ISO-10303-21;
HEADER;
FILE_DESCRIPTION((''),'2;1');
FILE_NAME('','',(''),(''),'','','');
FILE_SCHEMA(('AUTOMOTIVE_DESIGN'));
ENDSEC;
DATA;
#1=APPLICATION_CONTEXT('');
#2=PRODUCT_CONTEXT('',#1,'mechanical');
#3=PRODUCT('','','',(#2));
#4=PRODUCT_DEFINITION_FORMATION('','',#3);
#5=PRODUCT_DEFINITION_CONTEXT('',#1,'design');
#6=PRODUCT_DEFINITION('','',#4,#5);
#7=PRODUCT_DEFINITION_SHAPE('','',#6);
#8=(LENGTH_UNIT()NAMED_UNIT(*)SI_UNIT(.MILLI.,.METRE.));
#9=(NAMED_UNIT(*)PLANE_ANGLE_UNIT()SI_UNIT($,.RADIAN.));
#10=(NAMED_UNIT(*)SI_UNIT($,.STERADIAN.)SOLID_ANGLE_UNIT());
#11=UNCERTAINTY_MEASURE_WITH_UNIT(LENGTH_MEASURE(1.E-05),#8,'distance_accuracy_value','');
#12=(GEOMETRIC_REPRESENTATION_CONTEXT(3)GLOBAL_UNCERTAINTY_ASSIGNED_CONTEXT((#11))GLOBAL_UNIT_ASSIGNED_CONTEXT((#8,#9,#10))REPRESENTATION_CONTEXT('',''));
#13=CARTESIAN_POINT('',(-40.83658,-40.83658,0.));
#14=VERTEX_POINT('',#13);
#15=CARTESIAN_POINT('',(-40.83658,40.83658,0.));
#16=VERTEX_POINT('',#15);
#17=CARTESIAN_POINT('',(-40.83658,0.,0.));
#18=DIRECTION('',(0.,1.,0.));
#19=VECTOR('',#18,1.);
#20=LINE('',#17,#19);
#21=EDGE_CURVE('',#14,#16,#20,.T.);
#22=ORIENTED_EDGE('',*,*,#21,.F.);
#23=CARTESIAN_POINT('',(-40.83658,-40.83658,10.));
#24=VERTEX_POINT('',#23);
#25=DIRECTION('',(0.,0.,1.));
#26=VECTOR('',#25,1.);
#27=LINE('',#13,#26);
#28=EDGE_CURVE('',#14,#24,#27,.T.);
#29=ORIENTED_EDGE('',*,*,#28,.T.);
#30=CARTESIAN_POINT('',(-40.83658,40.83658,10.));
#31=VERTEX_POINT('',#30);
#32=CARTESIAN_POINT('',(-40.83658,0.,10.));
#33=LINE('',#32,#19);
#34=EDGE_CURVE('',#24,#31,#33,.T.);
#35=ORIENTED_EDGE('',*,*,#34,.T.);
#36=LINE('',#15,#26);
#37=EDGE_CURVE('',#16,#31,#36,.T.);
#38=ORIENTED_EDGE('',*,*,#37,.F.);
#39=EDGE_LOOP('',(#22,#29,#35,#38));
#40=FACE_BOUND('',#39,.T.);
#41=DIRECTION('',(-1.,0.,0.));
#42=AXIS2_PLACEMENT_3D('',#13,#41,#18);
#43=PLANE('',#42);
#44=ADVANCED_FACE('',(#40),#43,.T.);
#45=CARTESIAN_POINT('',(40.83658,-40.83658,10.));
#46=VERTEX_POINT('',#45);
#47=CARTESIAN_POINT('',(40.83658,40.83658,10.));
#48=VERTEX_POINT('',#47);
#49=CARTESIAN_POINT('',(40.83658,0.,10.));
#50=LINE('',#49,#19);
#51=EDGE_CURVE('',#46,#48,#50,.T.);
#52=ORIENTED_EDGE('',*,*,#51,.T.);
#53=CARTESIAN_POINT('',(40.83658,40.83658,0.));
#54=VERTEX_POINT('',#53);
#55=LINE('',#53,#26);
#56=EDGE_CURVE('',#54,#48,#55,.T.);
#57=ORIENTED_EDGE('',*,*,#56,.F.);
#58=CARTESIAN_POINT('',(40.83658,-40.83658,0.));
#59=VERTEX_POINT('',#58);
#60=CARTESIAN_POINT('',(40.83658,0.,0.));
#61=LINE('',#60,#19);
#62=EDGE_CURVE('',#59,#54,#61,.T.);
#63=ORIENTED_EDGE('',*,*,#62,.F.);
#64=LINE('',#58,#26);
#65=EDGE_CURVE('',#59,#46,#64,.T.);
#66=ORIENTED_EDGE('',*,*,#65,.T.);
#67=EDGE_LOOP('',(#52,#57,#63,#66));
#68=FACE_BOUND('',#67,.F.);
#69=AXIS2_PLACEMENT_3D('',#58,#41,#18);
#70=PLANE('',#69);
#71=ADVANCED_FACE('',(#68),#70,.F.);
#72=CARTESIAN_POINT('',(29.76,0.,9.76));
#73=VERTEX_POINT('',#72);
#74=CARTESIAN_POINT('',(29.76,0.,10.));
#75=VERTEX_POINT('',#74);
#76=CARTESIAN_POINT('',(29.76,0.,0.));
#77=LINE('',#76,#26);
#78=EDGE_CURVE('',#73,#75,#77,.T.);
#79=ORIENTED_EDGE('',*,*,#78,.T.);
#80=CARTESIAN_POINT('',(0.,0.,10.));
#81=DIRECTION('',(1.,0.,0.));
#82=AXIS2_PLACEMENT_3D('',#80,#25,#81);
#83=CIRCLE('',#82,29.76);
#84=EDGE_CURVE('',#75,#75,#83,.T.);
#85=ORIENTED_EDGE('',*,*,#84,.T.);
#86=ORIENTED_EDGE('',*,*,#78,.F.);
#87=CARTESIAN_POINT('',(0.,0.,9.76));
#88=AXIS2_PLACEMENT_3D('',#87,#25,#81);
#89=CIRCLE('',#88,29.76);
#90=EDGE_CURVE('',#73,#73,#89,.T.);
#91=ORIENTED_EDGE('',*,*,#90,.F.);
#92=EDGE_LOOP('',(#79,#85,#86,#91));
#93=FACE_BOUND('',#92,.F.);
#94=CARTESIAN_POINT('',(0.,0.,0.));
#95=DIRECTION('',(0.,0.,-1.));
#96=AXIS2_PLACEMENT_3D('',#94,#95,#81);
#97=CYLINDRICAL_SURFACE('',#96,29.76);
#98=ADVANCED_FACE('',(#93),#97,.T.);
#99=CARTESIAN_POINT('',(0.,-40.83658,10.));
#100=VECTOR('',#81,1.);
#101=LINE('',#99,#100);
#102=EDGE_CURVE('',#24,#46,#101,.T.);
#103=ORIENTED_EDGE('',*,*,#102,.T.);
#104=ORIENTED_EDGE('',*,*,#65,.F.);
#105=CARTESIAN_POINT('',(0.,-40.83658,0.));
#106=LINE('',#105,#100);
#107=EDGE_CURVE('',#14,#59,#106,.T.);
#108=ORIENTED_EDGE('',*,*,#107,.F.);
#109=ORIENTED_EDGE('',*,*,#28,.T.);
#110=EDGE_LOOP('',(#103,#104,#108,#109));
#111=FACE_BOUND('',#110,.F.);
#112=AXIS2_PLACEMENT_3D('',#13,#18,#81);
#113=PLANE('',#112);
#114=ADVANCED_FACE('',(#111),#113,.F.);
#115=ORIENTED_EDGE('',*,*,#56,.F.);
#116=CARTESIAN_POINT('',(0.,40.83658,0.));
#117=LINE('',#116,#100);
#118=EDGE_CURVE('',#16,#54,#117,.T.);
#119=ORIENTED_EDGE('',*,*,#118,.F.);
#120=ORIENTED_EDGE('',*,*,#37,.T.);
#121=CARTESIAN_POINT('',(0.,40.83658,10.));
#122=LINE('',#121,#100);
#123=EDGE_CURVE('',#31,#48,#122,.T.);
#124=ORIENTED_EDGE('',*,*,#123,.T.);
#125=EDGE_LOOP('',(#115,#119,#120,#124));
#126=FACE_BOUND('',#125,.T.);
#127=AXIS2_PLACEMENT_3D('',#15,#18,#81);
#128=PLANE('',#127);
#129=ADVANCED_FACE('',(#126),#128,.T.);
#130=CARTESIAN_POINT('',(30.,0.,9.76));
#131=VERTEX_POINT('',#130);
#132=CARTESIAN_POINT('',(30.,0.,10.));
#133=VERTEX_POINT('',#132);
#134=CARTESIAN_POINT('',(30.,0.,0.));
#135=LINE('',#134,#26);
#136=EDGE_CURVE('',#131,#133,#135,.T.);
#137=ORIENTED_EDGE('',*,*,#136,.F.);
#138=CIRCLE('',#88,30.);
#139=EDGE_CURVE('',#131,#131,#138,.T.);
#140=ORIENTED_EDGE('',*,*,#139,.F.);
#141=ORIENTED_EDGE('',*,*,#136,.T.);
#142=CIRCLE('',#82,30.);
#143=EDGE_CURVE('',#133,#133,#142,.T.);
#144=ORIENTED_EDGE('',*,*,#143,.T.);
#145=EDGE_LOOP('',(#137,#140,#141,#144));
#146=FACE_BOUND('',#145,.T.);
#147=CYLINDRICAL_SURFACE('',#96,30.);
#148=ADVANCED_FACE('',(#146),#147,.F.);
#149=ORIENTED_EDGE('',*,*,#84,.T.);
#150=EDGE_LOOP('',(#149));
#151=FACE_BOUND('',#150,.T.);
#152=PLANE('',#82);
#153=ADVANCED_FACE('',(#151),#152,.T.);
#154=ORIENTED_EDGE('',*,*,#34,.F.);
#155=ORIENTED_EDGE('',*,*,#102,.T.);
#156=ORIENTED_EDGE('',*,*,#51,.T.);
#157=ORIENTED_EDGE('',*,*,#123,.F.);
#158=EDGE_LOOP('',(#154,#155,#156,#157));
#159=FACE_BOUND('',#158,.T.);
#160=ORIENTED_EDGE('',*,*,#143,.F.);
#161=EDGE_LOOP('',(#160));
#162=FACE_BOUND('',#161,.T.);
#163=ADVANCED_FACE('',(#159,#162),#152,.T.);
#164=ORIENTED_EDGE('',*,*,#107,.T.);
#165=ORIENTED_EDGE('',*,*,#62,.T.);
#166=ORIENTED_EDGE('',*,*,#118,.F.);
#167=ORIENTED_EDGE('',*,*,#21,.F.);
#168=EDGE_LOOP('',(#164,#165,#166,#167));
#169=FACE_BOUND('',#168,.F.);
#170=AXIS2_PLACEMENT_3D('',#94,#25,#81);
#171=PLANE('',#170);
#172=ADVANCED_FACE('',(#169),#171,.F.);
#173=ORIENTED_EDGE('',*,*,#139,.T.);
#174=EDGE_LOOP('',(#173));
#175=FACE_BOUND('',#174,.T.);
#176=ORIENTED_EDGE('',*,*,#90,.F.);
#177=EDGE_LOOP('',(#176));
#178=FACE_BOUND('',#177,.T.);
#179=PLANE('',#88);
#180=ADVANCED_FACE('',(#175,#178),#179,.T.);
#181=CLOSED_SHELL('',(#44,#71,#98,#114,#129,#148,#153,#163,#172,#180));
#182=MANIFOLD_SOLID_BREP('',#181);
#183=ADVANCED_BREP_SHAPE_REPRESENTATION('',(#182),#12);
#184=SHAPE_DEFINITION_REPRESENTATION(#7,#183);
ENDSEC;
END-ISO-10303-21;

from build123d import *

# Parameters (mm, degrees)
F0_R     = 30
F0_R_2   = 29.76
F1_DEPTH = 9.76
F0_W     = 81.6731601419
F0_H     = 81.6731601419
F2_DEPTH = 10


with BuildPart() as f1:
    # F0 (on Top) → F1 (new body)
    with BuildSketch(Plane.XY):
        Circle(F0_R)
        Circle(F0_R_2, mode=Mode.SUBTRACT)
    extrude(amount=F1_DEPTH)

    # F0 (on Top) → F2 (join)
    with BuildSketch(Plane.XY):
        Rectangle(F0_W, F0_H)
        Circle(F0_R, mode=Mode.SUBTRACT)
        Circle(F0_R_2)
    extrude(amount=F2_DEPTH)


solid = f1.part
